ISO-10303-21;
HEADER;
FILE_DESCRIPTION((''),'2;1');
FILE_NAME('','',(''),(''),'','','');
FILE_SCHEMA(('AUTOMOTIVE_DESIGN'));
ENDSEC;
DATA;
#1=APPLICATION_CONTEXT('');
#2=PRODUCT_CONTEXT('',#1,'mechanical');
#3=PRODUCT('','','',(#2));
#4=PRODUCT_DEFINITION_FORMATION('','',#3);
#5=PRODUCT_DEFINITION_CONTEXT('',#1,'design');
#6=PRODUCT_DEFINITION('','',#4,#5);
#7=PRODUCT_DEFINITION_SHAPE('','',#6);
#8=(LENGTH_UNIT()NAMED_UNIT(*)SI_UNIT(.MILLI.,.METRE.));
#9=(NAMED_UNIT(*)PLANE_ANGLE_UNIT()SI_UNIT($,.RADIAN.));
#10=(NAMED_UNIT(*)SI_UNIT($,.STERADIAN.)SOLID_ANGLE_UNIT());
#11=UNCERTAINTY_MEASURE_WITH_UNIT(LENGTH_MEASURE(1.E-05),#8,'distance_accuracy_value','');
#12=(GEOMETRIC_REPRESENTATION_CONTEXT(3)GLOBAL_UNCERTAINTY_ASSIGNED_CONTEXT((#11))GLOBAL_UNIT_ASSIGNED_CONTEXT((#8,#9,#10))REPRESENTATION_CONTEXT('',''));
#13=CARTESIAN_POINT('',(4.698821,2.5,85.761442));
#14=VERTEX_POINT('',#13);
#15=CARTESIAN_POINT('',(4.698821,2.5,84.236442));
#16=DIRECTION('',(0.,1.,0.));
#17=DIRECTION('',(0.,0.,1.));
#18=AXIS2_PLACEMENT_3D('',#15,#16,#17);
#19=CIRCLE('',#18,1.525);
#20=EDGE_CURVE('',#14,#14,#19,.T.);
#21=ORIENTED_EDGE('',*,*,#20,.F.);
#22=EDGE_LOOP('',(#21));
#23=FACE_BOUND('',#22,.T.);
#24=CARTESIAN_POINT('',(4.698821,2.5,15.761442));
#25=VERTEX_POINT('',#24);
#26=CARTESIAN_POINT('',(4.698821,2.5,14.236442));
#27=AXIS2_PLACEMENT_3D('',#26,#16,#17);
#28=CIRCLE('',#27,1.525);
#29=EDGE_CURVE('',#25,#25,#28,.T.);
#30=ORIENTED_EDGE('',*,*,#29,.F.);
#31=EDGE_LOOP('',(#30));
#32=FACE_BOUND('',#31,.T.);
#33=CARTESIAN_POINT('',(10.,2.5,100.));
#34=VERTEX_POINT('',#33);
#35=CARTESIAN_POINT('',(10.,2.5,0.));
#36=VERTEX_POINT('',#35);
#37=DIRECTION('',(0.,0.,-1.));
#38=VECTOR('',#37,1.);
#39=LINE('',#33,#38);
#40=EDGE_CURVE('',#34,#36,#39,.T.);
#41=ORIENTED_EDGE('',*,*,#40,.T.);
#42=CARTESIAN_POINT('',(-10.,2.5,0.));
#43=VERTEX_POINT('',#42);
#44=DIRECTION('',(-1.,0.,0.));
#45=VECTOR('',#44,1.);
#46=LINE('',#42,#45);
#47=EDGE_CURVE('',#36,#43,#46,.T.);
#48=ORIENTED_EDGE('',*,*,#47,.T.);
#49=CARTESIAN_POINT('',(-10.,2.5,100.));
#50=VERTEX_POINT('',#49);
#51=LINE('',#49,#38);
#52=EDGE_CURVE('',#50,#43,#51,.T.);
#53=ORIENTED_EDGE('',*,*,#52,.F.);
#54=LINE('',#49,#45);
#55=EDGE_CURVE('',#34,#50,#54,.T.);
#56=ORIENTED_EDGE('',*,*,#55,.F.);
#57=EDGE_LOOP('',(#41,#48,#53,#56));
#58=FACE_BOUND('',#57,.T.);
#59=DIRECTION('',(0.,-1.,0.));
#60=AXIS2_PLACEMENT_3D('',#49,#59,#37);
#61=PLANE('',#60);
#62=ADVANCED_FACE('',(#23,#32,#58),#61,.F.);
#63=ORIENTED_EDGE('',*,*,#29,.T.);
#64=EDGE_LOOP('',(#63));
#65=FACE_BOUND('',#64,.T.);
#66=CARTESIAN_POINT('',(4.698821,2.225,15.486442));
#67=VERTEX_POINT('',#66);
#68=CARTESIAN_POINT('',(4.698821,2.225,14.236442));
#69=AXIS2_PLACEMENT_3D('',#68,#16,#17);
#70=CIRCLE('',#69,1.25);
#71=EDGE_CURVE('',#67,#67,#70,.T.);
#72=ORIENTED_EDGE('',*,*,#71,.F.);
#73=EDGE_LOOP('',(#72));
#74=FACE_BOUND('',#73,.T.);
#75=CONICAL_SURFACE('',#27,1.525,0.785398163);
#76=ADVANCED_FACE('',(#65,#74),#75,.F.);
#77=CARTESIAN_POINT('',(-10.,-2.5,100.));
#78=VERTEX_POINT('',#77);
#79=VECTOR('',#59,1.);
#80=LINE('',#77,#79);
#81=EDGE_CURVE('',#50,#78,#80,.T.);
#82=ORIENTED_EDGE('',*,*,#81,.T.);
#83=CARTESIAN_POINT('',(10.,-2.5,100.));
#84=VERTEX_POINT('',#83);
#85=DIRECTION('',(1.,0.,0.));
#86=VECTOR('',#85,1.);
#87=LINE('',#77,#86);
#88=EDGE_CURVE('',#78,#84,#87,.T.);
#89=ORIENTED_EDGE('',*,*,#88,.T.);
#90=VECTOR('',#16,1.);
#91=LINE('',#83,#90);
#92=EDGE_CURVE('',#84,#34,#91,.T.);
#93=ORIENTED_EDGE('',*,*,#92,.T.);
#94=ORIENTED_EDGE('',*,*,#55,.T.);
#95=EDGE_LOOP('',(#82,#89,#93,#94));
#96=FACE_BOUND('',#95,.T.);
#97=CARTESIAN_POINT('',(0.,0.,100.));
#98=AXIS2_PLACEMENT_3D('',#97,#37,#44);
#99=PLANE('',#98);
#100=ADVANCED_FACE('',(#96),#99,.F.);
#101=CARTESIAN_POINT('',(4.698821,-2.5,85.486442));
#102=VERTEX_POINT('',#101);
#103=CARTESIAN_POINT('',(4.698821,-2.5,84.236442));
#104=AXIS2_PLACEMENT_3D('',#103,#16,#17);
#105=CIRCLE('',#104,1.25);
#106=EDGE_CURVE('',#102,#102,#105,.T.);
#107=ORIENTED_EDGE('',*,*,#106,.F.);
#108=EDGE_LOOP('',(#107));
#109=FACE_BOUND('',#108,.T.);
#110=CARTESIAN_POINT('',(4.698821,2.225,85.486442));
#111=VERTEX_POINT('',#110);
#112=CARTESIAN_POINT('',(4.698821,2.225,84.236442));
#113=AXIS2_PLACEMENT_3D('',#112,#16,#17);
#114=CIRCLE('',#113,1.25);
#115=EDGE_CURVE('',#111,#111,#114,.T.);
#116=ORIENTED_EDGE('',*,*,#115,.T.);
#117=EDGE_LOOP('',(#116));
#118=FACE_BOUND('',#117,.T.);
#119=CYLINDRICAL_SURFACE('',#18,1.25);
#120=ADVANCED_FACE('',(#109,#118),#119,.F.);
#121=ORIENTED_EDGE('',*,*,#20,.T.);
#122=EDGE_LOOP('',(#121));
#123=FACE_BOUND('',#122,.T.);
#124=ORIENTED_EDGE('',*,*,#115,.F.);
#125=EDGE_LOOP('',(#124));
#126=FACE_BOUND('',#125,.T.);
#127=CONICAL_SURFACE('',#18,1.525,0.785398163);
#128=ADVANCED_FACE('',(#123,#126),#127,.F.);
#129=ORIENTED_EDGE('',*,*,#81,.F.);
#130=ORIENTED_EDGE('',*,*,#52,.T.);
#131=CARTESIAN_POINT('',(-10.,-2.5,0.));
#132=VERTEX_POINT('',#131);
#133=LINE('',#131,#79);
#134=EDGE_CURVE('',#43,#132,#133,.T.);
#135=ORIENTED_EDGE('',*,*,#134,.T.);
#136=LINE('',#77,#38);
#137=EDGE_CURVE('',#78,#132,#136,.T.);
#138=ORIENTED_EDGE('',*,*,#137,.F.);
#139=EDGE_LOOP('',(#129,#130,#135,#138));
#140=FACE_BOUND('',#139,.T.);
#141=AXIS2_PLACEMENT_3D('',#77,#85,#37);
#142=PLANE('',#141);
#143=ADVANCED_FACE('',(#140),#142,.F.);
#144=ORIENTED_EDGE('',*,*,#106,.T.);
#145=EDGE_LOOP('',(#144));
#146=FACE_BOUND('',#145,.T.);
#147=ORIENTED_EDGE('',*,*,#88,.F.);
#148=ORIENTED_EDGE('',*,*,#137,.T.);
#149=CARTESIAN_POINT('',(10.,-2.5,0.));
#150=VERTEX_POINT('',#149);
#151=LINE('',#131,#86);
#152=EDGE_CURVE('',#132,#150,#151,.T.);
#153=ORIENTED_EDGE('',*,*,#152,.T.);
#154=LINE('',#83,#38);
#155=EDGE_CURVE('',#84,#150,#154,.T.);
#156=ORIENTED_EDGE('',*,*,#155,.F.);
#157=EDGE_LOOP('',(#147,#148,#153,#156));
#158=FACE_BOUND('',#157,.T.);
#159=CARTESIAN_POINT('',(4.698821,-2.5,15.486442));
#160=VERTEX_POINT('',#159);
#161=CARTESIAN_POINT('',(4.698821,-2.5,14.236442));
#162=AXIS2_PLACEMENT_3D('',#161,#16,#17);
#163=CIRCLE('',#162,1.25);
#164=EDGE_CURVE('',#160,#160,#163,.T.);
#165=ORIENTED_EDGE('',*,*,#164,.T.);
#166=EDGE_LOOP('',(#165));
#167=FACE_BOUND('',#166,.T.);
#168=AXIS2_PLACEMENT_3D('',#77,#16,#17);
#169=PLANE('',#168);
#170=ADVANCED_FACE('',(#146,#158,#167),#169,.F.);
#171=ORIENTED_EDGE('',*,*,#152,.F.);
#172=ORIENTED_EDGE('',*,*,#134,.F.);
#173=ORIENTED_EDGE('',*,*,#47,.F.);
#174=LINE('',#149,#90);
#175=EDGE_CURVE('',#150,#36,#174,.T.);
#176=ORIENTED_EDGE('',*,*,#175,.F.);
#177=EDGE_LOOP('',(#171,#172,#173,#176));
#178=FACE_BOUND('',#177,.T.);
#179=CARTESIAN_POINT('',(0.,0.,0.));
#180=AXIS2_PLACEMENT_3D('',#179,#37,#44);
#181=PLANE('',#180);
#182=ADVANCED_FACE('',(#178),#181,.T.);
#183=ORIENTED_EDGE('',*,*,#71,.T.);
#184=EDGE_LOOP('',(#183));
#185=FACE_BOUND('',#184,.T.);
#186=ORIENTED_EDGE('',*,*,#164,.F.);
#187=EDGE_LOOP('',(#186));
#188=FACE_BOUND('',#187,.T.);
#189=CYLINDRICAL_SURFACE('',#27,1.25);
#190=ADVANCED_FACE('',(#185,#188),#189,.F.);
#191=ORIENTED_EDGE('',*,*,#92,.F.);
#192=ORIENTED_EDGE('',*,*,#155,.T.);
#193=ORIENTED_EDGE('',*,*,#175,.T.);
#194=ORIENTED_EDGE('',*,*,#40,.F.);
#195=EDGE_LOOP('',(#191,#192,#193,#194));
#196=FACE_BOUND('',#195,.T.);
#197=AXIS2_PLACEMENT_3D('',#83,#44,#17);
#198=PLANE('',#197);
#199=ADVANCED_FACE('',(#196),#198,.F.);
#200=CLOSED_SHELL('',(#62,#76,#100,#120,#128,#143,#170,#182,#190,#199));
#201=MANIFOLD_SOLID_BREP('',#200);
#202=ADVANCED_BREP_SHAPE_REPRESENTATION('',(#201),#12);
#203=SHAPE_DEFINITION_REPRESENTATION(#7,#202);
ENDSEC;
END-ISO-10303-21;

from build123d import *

# Parameters (mm, degrees)
SKETCH1_W                   = 20
SKETCH1_H                   = 5
BOSS_EXTRUDE1_DEPTH         = 100
M3_TAPPED_HOLE2_D           = 2.5
M3_TAPPED_HOLE2_CSINK_D     = 3.05
M3_TAPPED_HOLE2_CSINK_ANGLE = 90
LPATTERN1_COUNT             = 2
LPATTERN1_PITCH             = 70


with BuildPart() as part:
    # Sketch1 → Boss-Extrude1 (new body)
    with BuildSketch(Plane.XY):
        Rectangle(SKETCH1_W, SKETCH1_H)
    extrude(amount=BOSS_EXTRUDE1_DEPTH)

    # M3 Tapped Hole2 (through all)
    with Locations(Plane(origin=(0, 2.5, 0), x_dir=(1, 0, 0), z_dir=(0, 1, 0))):
        with Locations((4.698821008, -14.236441586)):
            m3_tapped_hole2 = CounterSinkHole(M3_TAPPED_HOLE2_D / 2, M3_TAPPED_HOLE2_CSINK_D / 2, counter_sink_angle=M3_TAPPED_HOLE2_CSINK_ANGLE)

    # LPattern1: M3 Tapped Hole2 ×2
    with Locations(*[(0, 0, i * LPATTERN1_PITCH) for i in range(1, LPATTERN1_COUNT)]):
        add(m3_tapped_hole2, mode=Mode.SUBTRACT)


solid = part.part
